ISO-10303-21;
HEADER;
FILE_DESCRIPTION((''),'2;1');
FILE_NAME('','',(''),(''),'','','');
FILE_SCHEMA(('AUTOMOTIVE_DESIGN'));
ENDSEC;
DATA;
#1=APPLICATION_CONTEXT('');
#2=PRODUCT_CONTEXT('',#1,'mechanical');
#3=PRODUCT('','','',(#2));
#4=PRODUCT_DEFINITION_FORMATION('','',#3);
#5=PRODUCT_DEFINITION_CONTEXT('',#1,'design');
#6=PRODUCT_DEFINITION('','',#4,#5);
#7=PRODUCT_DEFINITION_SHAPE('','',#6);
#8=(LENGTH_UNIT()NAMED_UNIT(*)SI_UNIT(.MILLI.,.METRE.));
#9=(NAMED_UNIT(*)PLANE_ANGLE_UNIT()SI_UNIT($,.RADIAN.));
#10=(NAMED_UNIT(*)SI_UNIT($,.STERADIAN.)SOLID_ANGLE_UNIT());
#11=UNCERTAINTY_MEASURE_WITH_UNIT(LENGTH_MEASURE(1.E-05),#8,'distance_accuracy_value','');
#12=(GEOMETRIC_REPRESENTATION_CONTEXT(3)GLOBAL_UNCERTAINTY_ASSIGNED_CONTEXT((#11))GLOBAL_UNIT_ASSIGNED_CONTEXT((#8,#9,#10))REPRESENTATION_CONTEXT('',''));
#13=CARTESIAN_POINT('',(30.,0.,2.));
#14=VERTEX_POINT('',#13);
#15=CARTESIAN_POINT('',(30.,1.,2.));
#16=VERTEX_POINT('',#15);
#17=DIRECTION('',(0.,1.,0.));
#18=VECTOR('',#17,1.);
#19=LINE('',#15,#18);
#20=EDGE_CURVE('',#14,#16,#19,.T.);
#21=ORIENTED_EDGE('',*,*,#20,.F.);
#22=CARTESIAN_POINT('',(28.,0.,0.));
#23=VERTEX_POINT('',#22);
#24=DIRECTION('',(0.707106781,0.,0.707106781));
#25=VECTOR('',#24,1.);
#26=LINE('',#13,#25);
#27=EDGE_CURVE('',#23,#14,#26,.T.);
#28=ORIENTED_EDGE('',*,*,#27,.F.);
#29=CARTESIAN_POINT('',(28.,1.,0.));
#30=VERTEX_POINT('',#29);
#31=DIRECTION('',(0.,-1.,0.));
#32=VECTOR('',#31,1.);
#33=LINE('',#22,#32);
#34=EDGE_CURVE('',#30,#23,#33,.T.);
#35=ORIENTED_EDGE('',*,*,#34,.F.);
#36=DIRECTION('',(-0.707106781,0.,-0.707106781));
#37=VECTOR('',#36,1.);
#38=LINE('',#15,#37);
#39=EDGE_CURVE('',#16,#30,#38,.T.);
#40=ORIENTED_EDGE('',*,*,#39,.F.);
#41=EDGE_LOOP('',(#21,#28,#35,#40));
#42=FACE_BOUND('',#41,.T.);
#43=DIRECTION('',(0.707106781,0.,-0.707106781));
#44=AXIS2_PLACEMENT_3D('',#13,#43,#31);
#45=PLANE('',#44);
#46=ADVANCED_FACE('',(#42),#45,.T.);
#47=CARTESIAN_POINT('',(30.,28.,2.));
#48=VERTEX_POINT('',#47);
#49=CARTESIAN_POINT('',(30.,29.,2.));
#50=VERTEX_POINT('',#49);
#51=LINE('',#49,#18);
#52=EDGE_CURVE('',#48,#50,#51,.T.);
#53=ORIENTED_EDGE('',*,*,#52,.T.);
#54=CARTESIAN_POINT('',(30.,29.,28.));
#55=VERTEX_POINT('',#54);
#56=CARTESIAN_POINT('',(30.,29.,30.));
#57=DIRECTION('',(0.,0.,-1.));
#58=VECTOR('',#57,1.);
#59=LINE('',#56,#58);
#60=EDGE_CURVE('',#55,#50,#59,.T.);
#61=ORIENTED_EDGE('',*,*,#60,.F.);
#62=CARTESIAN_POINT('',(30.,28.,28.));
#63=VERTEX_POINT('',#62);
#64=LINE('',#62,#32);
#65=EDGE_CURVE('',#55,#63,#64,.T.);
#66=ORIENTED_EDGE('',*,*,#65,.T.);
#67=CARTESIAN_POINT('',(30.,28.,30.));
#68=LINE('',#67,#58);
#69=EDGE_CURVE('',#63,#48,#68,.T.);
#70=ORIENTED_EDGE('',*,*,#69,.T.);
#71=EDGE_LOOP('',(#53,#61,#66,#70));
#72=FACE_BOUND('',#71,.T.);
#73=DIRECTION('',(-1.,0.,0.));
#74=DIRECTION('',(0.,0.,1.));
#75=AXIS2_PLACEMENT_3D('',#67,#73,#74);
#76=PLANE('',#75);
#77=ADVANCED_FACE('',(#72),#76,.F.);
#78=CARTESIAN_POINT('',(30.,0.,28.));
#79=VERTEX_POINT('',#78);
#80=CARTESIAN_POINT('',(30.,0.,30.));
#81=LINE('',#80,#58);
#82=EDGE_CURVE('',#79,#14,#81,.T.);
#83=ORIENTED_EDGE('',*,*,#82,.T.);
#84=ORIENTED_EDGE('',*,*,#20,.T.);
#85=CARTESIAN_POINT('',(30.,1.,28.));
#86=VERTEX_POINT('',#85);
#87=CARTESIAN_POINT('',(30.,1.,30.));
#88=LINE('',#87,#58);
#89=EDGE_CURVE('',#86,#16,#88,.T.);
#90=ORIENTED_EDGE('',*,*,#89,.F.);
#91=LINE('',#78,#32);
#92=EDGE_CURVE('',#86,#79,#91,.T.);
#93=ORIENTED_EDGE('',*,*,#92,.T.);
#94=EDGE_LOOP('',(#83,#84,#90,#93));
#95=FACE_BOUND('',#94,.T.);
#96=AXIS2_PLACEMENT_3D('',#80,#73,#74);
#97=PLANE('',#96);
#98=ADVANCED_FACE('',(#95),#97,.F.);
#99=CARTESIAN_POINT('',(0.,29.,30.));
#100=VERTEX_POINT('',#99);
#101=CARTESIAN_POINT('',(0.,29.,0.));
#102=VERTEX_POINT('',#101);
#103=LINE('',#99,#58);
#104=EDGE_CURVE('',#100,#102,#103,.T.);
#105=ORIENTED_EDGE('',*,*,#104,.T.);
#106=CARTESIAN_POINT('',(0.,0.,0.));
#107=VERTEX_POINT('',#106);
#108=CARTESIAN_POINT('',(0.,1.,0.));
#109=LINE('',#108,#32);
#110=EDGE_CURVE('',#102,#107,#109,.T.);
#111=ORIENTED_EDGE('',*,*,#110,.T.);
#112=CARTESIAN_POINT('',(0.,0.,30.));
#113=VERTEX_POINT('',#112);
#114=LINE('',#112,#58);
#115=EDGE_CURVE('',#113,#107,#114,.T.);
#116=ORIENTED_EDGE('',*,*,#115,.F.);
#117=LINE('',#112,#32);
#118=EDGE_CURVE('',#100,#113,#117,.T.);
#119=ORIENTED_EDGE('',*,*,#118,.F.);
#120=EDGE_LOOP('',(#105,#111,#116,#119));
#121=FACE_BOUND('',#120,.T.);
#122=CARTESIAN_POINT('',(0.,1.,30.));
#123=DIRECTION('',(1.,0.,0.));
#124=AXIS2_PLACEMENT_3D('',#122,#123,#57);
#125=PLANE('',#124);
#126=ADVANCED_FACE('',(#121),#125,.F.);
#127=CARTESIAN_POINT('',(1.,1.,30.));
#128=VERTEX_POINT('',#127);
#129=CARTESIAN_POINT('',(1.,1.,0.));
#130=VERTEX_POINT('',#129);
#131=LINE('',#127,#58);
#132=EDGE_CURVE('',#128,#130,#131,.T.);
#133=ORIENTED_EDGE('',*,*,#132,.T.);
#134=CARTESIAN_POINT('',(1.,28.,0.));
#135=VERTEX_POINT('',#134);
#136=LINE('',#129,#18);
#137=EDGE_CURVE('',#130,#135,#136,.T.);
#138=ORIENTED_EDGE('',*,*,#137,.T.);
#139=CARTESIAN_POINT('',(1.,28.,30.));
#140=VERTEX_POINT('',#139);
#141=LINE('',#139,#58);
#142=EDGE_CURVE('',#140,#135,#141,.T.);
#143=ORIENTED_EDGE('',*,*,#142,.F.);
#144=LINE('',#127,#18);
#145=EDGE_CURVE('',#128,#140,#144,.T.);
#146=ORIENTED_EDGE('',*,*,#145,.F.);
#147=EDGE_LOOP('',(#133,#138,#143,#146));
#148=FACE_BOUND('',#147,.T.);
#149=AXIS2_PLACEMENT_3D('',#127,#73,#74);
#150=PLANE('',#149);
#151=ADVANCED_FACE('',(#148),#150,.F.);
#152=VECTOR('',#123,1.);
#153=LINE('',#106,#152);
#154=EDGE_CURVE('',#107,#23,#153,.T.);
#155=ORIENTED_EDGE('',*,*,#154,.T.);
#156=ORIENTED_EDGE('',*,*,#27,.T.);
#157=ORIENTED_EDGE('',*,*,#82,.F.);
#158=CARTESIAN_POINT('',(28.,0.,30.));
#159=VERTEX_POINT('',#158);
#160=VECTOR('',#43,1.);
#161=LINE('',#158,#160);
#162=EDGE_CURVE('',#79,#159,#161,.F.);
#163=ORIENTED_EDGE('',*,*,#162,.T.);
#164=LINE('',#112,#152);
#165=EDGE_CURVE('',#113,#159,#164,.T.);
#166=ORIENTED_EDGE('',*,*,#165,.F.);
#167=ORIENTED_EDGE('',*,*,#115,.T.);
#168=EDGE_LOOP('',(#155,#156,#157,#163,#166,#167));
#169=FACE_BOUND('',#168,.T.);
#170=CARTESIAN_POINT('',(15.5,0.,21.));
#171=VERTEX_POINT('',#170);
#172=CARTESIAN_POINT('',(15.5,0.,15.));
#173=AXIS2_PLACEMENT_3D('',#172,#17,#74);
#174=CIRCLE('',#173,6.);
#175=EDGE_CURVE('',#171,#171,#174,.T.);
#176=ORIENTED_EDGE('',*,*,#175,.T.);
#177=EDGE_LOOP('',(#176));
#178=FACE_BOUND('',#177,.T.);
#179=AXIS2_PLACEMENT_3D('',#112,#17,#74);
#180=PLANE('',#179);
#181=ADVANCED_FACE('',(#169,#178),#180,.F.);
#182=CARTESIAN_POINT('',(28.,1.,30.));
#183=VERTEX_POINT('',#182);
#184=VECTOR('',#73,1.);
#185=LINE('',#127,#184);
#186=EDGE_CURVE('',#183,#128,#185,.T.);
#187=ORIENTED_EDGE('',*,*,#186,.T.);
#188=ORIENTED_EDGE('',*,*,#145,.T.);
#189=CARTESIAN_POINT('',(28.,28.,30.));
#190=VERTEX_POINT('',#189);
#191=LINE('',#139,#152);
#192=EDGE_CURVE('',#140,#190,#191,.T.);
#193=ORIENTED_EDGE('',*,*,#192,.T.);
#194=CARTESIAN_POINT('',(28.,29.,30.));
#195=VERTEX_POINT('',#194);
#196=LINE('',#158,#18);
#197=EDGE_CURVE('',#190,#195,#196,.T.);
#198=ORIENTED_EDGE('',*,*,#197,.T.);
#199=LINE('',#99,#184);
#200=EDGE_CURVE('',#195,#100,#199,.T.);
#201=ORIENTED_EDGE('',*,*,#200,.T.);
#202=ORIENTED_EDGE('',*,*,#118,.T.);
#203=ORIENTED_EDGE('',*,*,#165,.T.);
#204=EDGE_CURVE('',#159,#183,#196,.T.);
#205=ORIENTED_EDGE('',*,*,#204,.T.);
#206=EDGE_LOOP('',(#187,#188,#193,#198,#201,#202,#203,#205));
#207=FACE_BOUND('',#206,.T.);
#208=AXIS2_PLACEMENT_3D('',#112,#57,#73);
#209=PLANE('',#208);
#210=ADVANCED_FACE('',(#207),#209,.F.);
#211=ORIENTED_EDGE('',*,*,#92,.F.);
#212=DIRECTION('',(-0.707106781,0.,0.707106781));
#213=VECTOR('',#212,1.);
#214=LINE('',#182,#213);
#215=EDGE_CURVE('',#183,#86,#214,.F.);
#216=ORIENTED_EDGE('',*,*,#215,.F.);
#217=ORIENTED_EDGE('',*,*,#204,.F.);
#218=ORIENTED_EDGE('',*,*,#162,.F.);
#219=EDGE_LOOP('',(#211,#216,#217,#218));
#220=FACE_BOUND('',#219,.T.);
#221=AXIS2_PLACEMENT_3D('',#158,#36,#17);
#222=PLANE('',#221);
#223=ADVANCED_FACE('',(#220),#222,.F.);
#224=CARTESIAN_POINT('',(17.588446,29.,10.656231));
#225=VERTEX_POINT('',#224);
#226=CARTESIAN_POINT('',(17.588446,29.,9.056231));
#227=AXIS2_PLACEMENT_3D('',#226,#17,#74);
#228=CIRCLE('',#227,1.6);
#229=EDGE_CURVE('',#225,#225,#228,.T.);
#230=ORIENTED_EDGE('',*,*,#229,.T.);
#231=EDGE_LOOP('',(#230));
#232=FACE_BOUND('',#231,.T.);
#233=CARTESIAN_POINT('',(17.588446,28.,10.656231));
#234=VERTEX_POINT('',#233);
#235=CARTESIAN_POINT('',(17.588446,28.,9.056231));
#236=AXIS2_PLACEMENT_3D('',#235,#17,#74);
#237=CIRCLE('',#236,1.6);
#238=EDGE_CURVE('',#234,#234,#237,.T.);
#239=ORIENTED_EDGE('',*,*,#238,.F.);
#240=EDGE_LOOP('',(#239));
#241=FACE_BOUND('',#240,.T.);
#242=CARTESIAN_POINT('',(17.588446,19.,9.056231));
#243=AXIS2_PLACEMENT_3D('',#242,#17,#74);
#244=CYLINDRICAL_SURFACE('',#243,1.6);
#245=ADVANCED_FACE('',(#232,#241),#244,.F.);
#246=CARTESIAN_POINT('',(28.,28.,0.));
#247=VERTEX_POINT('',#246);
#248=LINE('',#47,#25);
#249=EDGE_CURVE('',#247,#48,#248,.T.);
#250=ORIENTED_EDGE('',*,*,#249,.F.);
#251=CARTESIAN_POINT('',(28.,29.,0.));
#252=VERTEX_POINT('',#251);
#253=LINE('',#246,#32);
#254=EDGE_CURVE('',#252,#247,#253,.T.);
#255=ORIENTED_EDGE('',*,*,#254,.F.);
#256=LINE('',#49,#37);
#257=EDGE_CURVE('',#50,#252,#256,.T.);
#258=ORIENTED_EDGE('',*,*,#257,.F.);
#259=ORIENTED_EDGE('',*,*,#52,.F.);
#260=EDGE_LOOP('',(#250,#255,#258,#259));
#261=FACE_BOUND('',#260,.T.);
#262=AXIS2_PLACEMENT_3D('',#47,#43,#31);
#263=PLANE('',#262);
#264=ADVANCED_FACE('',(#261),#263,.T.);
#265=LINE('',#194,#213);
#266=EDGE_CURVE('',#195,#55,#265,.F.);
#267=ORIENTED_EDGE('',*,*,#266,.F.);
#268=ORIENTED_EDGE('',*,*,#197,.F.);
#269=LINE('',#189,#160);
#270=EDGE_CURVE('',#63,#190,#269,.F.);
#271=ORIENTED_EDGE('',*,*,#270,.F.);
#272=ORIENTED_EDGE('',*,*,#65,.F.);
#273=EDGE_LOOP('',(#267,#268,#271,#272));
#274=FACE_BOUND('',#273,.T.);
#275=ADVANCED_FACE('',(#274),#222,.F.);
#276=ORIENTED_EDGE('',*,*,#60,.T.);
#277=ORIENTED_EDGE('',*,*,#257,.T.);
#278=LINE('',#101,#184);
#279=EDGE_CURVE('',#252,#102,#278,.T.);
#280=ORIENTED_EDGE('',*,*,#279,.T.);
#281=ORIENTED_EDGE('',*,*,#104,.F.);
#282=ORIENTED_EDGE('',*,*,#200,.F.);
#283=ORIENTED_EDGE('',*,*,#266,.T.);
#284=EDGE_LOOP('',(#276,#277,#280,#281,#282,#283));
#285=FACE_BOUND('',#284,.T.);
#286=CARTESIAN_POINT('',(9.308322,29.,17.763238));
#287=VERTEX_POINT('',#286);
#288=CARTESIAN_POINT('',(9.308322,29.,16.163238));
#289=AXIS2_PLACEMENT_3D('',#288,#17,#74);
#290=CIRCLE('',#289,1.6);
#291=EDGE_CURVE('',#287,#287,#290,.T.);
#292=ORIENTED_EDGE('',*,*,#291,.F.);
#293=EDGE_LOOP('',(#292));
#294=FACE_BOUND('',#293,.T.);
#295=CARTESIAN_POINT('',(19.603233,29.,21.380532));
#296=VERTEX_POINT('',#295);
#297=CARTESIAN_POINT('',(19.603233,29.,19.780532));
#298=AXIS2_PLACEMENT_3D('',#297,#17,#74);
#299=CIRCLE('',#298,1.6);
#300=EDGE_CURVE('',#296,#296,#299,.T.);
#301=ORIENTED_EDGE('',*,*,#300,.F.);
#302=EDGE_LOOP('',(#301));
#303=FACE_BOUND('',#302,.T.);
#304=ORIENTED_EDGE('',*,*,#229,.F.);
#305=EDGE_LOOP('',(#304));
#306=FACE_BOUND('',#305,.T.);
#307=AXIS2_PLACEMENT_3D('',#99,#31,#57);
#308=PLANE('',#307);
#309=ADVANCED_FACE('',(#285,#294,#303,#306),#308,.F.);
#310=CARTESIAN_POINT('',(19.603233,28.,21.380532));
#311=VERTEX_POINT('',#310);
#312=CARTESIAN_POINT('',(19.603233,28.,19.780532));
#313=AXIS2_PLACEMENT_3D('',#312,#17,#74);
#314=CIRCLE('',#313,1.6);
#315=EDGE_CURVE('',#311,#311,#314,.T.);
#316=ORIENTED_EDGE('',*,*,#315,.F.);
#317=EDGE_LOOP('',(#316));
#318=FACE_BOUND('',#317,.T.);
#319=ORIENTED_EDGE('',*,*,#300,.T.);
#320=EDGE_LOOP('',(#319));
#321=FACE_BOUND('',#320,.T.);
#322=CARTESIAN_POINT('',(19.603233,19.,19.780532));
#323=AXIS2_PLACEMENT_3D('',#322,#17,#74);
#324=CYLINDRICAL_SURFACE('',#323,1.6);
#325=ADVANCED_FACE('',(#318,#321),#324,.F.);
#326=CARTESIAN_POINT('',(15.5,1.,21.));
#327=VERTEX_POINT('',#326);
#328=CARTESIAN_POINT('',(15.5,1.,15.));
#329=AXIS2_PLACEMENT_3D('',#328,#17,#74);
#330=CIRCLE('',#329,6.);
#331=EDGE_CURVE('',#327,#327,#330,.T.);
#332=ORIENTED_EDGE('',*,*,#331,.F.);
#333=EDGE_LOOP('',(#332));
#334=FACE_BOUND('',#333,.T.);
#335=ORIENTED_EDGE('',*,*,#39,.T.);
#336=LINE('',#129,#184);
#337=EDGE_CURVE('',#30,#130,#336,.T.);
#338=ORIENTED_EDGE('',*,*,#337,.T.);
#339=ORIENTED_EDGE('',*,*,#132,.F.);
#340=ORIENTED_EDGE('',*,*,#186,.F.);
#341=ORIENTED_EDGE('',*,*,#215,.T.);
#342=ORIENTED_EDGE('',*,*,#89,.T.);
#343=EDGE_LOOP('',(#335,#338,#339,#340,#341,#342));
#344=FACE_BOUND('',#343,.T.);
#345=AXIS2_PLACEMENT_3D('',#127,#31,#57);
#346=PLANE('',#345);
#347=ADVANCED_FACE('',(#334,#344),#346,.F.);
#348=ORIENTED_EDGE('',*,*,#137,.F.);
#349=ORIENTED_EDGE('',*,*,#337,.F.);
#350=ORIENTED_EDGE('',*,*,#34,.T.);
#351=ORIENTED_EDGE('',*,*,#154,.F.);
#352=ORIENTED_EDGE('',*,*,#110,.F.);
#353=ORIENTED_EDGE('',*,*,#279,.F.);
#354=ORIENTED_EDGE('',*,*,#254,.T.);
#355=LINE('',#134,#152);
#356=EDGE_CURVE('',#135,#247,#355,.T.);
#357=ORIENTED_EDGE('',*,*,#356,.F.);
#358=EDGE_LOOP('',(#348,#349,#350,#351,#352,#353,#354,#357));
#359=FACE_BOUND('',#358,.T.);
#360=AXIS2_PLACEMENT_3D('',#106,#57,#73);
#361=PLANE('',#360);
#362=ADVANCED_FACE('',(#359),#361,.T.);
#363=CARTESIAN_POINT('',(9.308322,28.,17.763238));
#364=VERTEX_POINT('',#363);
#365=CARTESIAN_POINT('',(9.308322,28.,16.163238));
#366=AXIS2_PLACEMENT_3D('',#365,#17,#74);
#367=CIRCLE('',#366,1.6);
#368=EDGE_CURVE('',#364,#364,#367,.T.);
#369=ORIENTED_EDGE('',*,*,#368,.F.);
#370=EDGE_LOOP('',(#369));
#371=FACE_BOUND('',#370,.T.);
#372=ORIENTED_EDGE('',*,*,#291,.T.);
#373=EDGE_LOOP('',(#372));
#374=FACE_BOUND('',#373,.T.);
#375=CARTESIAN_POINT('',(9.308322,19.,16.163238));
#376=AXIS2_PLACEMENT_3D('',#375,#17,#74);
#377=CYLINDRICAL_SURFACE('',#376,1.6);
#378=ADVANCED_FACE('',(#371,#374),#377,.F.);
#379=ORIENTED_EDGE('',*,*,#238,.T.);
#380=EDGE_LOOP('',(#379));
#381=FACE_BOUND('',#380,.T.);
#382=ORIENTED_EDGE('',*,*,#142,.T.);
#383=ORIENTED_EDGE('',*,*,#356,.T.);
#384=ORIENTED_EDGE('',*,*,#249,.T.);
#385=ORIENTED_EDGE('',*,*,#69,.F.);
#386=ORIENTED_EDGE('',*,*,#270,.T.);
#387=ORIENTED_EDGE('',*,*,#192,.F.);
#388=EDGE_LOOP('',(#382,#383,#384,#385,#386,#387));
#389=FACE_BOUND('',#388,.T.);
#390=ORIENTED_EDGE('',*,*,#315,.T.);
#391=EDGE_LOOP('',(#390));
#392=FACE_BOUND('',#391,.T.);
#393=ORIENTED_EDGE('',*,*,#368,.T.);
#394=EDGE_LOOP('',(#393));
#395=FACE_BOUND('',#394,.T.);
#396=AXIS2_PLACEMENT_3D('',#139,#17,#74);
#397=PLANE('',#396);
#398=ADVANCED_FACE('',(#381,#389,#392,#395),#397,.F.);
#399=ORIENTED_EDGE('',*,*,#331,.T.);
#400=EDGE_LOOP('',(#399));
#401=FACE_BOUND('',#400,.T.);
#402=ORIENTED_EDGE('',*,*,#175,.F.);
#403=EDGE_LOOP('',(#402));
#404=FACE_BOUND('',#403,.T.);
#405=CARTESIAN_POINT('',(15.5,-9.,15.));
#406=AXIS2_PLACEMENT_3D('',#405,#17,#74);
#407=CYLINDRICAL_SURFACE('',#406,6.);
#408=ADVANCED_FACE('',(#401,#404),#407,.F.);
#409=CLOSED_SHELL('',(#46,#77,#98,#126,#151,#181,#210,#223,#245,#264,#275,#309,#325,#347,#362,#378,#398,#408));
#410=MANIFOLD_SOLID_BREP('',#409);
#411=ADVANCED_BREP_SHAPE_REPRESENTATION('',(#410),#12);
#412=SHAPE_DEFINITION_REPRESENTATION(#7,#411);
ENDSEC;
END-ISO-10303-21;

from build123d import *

# Parameters (mm, degrees)
BOSS_EXTRUDE1_DEPTH = 30
SKETCH3_R           = 1.6
CUT_EXTRUDE1_DEPTH  = 10
SKETCH2_R           = 6
CUT_EXTRUDE2_DEPTH  = 10
CHAMFER1_SIZE       = 2


with BuildPart() as part:
    # Sketch1 → Boss-Extrude1 (new body)
    with BuildSketch(Plane.XY):
        Polygon((0, 0), (30, 0), (30, 1), (1, 1), (1, 28), (30, 28), (30, 29), (0, 29), (0, 28), (0, 1), align=None)
    extrude(amount=BOSS_EXTRUDE1_DEPTH)

    # Sketch3 → Cut-Extrude1 (cut)
    with BuildSketch(Plane(origin=(0, 29, 0), x_dir=(1, 0, 0), z_dir=(0, 1, 0))):
        with Locations(Location((19.603232535, -19.78053164, 0), (0, 0, 270))):
            Circle(SKETCH3_R)
        with Locations(Location((9.308321888, -16.163237793, 0), (0, 0, 270))):
            Circle(SKETCH3_R)
        with Locations(Location((17.588445577, -9.056230567, 0), (0, 0, 270))):
            Circle(SKETCH3_R)
    extrude(amount=-CUT_EXTRUDE1_DEPTH, mode=Mode.SUBTRACT)

    # Sketch2 → Cut-Extrude2 (cut)
    with BuildSketch(Plane(origin=(0, 1, 0), x_dir=(1, 0, 0), z_dir=(0, 1, 0))):
        with Locations(Location((15.5, -15, 0), (0, 0, 270))):
            Circle(SKETCH2_R)
    extrude(amount=-CUT_EXTRUDE2_DEPTH, mode=Mode.SUBTRACT)

    # Chamfer1
    chamfer1_edges = [part.edges().sort_by_distance(p)[0] for p in [
        (30, 28.5, 0),
        (30, 0.5, 30),
        (30, 0.5, 0),
        (30, 28.5, 30),
    ]]
    chamfer(chamfer1_edges, length=CHAMFER1_SIZE)


solid = part.part
